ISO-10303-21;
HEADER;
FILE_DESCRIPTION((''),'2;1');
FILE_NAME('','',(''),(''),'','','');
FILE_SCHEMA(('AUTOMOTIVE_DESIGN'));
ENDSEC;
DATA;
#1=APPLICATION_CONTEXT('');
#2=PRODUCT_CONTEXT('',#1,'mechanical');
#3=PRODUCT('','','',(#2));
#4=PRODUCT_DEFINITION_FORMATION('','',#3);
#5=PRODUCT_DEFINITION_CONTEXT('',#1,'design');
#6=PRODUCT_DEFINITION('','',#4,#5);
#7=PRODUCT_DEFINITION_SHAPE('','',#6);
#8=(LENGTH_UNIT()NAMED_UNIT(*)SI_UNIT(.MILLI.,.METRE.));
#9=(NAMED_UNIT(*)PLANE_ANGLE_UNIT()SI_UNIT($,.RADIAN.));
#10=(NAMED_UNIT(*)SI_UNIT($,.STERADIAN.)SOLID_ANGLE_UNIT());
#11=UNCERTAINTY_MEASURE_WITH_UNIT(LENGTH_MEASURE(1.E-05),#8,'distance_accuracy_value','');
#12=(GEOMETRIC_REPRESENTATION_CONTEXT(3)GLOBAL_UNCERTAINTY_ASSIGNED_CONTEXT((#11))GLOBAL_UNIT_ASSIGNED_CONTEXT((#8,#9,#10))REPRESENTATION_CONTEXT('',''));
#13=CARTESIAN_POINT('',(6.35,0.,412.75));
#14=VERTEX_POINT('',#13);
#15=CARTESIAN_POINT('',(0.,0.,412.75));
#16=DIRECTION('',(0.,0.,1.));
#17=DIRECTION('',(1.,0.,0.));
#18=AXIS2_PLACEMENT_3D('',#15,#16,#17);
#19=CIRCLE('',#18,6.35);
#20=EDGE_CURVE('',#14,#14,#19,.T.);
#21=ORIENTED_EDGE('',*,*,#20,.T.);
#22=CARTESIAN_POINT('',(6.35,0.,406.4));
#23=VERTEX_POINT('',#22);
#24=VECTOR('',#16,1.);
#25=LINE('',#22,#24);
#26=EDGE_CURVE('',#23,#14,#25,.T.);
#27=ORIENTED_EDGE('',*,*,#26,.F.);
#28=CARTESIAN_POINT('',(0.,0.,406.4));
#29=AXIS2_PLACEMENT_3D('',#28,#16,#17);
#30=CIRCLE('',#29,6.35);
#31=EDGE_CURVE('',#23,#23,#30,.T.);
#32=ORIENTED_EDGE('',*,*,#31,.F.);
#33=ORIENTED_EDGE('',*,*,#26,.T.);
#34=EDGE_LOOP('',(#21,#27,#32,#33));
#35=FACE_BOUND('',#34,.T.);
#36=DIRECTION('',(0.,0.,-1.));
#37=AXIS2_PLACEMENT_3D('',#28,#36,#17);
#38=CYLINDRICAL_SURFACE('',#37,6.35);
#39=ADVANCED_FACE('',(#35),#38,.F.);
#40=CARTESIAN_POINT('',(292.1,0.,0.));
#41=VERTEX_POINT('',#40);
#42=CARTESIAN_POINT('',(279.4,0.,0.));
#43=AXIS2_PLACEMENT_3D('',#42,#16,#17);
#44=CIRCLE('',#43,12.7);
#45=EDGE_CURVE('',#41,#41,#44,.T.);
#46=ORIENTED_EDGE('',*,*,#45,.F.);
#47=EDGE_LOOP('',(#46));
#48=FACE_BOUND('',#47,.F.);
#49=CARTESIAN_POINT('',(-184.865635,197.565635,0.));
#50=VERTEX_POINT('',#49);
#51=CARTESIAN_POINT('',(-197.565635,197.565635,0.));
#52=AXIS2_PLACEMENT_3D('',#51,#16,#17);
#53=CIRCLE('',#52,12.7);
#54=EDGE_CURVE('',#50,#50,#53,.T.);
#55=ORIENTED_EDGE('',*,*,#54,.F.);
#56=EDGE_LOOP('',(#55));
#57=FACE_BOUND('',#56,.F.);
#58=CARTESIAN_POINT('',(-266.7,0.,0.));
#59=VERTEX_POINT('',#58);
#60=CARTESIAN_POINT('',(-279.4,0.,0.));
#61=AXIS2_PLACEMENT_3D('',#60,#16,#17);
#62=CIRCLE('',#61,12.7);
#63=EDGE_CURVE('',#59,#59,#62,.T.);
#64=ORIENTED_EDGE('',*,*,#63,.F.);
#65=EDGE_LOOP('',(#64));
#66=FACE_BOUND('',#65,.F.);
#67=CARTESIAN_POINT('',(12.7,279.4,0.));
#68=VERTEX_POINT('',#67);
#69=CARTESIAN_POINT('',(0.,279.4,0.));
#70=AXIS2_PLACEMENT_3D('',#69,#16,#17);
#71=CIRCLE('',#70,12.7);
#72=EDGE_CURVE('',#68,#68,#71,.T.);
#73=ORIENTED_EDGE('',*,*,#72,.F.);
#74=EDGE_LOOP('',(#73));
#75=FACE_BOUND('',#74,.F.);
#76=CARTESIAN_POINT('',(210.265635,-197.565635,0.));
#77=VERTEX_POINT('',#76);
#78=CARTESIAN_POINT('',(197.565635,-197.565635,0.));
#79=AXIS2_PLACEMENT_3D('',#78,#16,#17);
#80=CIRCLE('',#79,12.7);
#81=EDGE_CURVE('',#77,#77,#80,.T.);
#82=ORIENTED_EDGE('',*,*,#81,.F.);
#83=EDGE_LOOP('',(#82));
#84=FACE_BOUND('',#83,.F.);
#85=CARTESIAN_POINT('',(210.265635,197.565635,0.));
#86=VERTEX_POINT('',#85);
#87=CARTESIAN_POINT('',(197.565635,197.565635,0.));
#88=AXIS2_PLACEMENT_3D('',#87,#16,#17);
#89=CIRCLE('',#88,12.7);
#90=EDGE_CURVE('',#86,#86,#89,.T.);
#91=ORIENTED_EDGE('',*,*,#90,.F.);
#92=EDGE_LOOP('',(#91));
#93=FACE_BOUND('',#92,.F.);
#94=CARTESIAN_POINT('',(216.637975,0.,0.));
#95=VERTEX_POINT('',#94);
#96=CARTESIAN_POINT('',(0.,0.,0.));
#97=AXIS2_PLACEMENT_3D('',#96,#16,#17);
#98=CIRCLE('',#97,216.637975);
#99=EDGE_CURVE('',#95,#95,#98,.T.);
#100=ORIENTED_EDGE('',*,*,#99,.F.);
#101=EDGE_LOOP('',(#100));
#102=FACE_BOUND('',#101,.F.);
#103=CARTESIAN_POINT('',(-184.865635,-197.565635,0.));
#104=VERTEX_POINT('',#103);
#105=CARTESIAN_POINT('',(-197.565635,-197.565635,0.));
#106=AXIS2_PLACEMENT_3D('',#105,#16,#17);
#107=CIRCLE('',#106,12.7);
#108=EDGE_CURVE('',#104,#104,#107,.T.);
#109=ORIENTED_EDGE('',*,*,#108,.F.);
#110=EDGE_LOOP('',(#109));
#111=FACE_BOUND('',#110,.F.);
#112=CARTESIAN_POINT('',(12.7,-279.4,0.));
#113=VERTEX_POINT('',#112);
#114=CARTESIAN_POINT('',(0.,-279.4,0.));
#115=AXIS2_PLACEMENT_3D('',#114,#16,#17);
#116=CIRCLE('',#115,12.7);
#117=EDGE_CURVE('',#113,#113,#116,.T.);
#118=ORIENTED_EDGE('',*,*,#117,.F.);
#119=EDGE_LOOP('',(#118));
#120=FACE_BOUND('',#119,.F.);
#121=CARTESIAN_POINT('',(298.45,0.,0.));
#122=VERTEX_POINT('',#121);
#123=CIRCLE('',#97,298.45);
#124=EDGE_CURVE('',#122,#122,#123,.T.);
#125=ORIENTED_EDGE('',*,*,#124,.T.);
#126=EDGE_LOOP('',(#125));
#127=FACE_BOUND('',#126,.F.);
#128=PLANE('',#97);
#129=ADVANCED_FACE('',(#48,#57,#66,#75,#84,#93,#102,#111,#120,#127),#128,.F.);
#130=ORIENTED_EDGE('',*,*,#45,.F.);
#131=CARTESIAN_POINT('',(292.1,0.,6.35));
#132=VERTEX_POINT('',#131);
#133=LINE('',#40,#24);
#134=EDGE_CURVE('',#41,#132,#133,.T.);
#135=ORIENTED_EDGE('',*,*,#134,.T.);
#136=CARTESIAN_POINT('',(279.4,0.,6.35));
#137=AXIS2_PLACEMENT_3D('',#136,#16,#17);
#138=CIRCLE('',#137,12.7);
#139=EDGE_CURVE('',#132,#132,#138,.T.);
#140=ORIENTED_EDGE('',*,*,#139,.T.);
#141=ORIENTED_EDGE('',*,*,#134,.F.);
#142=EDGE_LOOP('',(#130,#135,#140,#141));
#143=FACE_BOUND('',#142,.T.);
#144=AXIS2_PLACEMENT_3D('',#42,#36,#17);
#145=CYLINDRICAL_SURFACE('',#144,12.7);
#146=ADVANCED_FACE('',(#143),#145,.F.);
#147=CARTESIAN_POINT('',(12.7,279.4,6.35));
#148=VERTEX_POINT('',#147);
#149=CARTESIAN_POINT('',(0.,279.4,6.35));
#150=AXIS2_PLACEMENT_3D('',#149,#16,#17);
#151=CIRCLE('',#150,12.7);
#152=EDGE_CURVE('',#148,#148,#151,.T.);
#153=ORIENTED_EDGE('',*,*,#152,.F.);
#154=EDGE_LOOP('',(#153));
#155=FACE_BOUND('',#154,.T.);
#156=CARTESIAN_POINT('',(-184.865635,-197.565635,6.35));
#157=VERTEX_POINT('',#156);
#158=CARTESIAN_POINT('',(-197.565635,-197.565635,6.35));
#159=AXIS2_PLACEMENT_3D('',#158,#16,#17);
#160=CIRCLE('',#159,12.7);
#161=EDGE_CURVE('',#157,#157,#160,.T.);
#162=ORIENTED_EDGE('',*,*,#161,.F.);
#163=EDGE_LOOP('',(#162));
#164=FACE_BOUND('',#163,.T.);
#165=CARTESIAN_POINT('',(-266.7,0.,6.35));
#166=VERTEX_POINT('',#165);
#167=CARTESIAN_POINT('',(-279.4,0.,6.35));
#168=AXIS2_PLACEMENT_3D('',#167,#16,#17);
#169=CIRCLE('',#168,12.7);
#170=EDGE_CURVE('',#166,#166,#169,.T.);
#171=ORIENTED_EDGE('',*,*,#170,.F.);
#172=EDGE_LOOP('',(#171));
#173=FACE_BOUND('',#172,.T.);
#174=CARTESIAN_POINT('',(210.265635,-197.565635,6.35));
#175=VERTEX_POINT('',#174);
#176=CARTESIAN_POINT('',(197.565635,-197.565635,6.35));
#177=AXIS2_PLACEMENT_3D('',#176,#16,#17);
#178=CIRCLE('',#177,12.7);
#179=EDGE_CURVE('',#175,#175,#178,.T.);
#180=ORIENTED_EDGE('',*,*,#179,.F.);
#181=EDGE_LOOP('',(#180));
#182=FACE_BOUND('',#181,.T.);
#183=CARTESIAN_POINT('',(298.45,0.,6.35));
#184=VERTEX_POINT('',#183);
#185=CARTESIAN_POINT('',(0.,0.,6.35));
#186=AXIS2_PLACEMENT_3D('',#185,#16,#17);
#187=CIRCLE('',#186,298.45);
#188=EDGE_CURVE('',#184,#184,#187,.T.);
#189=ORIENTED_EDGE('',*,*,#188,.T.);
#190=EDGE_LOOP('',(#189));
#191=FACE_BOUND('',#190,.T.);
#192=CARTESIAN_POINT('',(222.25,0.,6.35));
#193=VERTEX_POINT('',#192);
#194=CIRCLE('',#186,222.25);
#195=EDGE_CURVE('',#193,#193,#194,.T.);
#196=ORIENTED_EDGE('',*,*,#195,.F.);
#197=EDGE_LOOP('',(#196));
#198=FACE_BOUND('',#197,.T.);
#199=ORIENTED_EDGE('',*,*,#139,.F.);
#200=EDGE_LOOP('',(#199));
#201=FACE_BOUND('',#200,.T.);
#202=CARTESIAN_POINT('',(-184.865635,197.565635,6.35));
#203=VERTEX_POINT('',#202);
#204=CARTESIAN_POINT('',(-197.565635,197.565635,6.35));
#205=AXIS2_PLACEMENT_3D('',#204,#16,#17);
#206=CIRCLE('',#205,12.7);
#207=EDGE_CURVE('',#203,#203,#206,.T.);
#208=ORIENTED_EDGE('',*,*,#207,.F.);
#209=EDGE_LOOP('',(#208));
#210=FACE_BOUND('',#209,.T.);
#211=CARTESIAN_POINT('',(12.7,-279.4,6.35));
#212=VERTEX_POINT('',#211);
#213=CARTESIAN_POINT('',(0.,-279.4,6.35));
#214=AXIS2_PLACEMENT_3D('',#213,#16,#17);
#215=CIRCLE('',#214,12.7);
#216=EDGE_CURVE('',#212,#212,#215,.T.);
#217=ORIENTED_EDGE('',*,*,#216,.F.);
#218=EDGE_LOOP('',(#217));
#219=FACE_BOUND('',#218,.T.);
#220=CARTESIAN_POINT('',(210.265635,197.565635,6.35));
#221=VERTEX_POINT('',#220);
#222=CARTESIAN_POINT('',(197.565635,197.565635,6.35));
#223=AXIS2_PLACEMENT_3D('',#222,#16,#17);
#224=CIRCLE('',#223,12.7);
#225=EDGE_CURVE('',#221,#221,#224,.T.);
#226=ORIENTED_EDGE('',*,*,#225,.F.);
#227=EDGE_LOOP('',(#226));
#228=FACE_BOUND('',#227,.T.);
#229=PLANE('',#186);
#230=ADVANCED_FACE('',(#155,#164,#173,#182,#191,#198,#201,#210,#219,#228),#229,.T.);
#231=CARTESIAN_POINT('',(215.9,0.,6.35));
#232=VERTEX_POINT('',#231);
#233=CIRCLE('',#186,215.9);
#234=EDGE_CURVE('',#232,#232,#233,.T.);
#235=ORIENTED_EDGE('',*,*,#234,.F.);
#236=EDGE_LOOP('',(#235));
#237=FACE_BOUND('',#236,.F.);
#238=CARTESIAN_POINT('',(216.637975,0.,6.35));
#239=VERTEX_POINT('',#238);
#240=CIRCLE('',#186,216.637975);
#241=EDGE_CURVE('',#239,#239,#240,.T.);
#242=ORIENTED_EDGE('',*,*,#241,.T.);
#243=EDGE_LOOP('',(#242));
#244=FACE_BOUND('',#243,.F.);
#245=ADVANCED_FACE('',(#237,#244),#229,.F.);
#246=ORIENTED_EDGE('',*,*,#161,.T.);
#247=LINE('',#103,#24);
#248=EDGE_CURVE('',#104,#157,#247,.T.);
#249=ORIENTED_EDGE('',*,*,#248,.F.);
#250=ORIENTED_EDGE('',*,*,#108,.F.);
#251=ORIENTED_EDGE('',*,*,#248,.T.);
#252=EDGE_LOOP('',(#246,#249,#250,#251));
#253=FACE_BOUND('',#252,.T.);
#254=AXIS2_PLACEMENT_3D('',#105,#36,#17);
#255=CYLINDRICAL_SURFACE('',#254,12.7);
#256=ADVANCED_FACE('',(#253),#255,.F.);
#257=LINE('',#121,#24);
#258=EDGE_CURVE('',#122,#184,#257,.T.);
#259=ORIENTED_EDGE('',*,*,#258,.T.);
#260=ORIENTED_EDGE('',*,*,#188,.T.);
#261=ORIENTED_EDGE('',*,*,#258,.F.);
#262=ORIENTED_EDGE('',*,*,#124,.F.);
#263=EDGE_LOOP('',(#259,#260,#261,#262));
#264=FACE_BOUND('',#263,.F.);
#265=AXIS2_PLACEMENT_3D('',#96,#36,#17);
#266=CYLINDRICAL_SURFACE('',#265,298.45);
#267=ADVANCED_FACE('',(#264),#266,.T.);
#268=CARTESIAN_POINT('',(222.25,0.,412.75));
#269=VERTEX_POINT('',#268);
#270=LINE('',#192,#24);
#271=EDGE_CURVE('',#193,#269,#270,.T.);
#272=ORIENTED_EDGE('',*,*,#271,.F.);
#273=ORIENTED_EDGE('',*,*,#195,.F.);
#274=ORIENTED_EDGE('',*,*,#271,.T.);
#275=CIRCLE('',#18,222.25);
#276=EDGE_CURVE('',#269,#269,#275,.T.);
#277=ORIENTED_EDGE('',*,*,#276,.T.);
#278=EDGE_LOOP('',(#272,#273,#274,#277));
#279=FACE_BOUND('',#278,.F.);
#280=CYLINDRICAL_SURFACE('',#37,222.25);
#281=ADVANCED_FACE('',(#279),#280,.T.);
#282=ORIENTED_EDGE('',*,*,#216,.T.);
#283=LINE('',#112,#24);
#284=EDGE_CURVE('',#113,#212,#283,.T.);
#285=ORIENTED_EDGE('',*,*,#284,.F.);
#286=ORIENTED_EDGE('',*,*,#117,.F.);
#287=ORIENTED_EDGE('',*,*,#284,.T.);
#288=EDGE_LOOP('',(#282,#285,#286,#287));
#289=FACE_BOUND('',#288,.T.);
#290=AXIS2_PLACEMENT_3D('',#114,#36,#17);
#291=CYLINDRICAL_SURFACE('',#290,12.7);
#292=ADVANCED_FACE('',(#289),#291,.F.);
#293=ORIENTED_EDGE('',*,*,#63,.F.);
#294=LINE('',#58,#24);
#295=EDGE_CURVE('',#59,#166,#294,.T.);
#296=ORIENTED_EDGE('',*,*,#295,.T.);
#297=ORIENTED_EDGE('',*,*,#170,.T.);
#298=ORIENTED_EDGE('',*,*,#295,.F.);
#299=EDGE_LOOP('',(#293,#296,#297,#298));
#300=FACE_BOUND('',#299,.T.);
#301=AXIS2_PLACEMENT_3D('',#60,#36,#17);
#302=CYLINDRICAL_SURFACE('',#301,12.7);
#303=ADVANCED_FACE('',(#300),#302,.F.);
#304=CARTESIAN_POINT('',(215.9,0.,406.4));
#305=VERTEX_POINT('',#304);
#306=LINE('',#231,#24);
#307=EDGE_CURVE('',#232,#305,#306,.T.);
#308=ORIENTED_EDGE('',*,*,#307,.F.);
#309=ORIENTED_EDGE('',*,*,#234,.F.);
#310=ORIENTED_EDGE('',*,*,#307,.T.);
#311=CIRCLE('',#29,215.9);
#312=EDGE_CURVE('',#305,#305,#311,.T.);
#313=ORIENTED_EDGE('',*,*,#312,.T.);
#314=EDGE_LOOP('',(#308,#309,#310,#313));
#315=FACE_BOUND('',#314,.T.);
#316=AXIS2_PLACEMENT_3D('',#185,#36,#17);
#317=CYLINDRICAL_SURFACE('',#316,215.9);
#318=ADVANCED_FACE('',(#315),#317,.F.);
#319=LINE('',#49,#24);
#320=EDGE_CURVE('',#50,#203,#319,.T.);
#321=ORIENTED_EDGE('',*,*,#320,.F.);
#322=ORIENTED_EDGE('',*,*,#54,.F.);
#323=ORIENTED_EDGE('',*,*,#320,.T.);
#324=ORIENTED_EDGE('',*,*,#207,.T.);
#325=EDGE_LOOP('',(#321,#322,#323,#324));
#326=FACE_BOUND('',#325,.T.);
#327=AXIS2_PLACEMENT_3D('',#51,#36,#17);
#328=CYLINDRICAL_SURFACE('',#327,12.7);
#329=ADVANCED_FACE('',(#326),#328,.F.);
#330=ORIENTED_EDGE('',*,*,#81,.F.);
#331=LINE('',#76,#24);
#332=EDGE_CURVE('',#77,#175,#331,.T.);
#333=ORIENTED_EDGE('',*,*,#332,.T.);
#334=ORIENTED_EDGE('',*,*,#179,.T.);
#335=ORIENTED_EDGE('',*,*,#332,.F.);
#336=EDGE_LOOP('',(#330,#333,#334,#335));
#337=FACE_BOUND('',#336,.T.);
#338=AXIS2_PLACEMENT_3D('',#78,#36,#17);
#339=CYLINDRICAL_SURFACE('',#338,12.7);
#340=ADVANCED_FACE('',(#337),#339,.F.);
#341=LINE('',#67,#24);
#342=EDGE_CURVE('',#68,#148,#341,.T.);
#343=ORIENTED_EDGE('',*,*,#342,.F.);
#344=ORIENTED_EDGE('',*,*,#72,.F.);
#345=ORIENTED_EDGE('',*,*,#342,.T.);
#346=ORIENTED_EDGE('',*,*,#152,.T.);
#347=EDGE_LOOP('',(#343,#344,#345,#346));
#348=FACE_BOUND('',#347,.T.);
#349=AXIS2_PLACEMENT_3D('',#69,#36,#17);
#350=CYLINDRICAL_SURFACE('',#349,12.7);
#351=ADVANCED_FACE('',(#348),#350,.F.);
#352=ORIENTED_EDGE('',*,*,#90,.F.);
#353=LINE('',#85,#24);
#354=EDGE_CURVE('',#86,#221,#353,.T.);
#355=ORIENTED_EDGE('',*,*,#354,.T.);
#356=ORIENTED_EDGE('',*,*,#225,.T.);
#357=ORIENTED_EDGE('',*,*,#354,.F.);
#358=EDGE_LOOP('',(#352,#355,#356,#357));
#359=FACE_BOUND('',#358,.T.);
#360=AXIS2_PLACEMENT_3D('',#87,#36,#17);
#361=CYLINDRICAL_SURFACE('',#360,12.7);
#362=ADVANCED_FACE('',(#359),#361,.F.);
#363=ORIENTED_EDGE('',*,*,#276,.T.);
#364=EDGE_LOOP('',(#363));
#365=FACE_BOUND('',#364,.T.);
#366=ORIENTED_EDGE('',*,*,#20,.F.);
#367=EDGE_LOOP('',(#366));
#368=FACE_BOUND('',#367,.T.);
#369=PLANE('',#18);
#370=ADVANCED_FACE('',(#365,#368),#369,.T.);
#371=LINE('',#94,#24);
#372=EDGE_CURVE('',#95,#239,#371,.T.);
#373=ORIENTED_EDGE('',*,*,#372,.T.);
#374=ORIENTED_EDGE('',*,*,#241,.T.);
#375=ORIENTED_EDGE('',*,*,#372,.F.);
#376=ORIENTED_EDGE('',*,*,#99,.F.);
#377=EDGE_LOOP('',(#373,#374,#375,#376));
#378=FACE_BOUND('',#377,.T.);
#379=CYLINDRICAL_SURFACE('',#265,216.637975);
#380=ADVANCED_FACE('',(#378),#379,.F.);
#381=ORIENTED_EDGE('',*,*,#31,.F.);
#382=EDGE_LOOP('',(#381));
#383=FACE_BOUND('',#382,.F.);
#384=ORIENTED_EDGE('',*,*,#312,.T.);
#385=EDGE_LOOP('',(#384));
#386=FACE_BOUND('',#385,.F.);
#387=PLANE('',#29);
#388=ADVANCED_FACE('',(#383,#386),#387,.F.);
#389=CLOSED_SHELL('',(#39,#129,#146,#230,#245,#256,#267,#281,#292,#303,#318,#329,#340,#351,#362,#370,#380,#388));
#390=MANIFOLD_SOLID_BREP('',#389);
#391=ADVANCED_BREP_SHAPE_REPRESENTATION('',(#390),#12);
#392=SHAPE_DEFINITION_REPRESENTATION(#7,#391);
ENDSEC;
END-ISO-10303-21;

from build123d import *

# Parameters (mm, degrees)
F0_R     = 298.45
F0_R_2   = 12.7
F0_R_3   = 216.637975
F1_DEPTH = 6.35
F3_R     = 222.25
F3_R_2   = 215.9
F4_DEPTH = 400.05
F6_R     = 222.25
F6_R_2   = 6.35
F7_DEPTH = 6.35


with BuildPart() as f1:
    # F0 (on Top) → F1 (new body)
    with BuildSketch(Plane.XY):
        Circle(F0_R)
        with Locations((-197.565635, -197.565635)):
            Circle(F0_R_2, mode=Mode.SUBTRACT)
        with Locations((0, -279.4)):
            Circle(F0_R_2, mode=Mode.SUBTRACT)
        with Locations((197.565635, -197.565635)):
            Circle(F0_R_2, mode=Mode.SUBTRACT)
        with Locations((-279.4, 0)):
            Circle(F0_R_2, mode=Mode.SUBTRACT)
        with Locations((-197.565635, 197.565635)):
            Circle(F0_R_2, mode=Mode.SUBTRACT)
        Circle(F0_R_3, mode=Mode.SUBTRACT)
        with Locations((279.4, 0)):
            Circle(F0_R_2, mode=Mode.SUBTRACT)
        with Locations((0, 279.4)):
            Circle(F0_R_2, mode=Mode.SUBTRACT)
        with Locations((197.565635, 197.565635)):
            Circle(F0_R_2, mode=Mode.SUBTRACT)
    extrude(amount=F1_DEPTH)

    # F3 (on offset) → F4 (join)
    with BuildSketch(Plane.XY.offset(6.35)):
        Circle(F3_R)
        Circle(F3_R_2, mode=Mode.SUBTRACT)
    extrude(amount=F4_DEPTH)

    # F6 (on offset) → F7 (join)
    with BuildSketch(Plane.XY.offset(406.4)):
        Circle(F6_R)
        Circle(F6_R_2, mode=Mode.SUBTRACT)
    extrude(amount=F7_DEPTH)


solid = f1.part
